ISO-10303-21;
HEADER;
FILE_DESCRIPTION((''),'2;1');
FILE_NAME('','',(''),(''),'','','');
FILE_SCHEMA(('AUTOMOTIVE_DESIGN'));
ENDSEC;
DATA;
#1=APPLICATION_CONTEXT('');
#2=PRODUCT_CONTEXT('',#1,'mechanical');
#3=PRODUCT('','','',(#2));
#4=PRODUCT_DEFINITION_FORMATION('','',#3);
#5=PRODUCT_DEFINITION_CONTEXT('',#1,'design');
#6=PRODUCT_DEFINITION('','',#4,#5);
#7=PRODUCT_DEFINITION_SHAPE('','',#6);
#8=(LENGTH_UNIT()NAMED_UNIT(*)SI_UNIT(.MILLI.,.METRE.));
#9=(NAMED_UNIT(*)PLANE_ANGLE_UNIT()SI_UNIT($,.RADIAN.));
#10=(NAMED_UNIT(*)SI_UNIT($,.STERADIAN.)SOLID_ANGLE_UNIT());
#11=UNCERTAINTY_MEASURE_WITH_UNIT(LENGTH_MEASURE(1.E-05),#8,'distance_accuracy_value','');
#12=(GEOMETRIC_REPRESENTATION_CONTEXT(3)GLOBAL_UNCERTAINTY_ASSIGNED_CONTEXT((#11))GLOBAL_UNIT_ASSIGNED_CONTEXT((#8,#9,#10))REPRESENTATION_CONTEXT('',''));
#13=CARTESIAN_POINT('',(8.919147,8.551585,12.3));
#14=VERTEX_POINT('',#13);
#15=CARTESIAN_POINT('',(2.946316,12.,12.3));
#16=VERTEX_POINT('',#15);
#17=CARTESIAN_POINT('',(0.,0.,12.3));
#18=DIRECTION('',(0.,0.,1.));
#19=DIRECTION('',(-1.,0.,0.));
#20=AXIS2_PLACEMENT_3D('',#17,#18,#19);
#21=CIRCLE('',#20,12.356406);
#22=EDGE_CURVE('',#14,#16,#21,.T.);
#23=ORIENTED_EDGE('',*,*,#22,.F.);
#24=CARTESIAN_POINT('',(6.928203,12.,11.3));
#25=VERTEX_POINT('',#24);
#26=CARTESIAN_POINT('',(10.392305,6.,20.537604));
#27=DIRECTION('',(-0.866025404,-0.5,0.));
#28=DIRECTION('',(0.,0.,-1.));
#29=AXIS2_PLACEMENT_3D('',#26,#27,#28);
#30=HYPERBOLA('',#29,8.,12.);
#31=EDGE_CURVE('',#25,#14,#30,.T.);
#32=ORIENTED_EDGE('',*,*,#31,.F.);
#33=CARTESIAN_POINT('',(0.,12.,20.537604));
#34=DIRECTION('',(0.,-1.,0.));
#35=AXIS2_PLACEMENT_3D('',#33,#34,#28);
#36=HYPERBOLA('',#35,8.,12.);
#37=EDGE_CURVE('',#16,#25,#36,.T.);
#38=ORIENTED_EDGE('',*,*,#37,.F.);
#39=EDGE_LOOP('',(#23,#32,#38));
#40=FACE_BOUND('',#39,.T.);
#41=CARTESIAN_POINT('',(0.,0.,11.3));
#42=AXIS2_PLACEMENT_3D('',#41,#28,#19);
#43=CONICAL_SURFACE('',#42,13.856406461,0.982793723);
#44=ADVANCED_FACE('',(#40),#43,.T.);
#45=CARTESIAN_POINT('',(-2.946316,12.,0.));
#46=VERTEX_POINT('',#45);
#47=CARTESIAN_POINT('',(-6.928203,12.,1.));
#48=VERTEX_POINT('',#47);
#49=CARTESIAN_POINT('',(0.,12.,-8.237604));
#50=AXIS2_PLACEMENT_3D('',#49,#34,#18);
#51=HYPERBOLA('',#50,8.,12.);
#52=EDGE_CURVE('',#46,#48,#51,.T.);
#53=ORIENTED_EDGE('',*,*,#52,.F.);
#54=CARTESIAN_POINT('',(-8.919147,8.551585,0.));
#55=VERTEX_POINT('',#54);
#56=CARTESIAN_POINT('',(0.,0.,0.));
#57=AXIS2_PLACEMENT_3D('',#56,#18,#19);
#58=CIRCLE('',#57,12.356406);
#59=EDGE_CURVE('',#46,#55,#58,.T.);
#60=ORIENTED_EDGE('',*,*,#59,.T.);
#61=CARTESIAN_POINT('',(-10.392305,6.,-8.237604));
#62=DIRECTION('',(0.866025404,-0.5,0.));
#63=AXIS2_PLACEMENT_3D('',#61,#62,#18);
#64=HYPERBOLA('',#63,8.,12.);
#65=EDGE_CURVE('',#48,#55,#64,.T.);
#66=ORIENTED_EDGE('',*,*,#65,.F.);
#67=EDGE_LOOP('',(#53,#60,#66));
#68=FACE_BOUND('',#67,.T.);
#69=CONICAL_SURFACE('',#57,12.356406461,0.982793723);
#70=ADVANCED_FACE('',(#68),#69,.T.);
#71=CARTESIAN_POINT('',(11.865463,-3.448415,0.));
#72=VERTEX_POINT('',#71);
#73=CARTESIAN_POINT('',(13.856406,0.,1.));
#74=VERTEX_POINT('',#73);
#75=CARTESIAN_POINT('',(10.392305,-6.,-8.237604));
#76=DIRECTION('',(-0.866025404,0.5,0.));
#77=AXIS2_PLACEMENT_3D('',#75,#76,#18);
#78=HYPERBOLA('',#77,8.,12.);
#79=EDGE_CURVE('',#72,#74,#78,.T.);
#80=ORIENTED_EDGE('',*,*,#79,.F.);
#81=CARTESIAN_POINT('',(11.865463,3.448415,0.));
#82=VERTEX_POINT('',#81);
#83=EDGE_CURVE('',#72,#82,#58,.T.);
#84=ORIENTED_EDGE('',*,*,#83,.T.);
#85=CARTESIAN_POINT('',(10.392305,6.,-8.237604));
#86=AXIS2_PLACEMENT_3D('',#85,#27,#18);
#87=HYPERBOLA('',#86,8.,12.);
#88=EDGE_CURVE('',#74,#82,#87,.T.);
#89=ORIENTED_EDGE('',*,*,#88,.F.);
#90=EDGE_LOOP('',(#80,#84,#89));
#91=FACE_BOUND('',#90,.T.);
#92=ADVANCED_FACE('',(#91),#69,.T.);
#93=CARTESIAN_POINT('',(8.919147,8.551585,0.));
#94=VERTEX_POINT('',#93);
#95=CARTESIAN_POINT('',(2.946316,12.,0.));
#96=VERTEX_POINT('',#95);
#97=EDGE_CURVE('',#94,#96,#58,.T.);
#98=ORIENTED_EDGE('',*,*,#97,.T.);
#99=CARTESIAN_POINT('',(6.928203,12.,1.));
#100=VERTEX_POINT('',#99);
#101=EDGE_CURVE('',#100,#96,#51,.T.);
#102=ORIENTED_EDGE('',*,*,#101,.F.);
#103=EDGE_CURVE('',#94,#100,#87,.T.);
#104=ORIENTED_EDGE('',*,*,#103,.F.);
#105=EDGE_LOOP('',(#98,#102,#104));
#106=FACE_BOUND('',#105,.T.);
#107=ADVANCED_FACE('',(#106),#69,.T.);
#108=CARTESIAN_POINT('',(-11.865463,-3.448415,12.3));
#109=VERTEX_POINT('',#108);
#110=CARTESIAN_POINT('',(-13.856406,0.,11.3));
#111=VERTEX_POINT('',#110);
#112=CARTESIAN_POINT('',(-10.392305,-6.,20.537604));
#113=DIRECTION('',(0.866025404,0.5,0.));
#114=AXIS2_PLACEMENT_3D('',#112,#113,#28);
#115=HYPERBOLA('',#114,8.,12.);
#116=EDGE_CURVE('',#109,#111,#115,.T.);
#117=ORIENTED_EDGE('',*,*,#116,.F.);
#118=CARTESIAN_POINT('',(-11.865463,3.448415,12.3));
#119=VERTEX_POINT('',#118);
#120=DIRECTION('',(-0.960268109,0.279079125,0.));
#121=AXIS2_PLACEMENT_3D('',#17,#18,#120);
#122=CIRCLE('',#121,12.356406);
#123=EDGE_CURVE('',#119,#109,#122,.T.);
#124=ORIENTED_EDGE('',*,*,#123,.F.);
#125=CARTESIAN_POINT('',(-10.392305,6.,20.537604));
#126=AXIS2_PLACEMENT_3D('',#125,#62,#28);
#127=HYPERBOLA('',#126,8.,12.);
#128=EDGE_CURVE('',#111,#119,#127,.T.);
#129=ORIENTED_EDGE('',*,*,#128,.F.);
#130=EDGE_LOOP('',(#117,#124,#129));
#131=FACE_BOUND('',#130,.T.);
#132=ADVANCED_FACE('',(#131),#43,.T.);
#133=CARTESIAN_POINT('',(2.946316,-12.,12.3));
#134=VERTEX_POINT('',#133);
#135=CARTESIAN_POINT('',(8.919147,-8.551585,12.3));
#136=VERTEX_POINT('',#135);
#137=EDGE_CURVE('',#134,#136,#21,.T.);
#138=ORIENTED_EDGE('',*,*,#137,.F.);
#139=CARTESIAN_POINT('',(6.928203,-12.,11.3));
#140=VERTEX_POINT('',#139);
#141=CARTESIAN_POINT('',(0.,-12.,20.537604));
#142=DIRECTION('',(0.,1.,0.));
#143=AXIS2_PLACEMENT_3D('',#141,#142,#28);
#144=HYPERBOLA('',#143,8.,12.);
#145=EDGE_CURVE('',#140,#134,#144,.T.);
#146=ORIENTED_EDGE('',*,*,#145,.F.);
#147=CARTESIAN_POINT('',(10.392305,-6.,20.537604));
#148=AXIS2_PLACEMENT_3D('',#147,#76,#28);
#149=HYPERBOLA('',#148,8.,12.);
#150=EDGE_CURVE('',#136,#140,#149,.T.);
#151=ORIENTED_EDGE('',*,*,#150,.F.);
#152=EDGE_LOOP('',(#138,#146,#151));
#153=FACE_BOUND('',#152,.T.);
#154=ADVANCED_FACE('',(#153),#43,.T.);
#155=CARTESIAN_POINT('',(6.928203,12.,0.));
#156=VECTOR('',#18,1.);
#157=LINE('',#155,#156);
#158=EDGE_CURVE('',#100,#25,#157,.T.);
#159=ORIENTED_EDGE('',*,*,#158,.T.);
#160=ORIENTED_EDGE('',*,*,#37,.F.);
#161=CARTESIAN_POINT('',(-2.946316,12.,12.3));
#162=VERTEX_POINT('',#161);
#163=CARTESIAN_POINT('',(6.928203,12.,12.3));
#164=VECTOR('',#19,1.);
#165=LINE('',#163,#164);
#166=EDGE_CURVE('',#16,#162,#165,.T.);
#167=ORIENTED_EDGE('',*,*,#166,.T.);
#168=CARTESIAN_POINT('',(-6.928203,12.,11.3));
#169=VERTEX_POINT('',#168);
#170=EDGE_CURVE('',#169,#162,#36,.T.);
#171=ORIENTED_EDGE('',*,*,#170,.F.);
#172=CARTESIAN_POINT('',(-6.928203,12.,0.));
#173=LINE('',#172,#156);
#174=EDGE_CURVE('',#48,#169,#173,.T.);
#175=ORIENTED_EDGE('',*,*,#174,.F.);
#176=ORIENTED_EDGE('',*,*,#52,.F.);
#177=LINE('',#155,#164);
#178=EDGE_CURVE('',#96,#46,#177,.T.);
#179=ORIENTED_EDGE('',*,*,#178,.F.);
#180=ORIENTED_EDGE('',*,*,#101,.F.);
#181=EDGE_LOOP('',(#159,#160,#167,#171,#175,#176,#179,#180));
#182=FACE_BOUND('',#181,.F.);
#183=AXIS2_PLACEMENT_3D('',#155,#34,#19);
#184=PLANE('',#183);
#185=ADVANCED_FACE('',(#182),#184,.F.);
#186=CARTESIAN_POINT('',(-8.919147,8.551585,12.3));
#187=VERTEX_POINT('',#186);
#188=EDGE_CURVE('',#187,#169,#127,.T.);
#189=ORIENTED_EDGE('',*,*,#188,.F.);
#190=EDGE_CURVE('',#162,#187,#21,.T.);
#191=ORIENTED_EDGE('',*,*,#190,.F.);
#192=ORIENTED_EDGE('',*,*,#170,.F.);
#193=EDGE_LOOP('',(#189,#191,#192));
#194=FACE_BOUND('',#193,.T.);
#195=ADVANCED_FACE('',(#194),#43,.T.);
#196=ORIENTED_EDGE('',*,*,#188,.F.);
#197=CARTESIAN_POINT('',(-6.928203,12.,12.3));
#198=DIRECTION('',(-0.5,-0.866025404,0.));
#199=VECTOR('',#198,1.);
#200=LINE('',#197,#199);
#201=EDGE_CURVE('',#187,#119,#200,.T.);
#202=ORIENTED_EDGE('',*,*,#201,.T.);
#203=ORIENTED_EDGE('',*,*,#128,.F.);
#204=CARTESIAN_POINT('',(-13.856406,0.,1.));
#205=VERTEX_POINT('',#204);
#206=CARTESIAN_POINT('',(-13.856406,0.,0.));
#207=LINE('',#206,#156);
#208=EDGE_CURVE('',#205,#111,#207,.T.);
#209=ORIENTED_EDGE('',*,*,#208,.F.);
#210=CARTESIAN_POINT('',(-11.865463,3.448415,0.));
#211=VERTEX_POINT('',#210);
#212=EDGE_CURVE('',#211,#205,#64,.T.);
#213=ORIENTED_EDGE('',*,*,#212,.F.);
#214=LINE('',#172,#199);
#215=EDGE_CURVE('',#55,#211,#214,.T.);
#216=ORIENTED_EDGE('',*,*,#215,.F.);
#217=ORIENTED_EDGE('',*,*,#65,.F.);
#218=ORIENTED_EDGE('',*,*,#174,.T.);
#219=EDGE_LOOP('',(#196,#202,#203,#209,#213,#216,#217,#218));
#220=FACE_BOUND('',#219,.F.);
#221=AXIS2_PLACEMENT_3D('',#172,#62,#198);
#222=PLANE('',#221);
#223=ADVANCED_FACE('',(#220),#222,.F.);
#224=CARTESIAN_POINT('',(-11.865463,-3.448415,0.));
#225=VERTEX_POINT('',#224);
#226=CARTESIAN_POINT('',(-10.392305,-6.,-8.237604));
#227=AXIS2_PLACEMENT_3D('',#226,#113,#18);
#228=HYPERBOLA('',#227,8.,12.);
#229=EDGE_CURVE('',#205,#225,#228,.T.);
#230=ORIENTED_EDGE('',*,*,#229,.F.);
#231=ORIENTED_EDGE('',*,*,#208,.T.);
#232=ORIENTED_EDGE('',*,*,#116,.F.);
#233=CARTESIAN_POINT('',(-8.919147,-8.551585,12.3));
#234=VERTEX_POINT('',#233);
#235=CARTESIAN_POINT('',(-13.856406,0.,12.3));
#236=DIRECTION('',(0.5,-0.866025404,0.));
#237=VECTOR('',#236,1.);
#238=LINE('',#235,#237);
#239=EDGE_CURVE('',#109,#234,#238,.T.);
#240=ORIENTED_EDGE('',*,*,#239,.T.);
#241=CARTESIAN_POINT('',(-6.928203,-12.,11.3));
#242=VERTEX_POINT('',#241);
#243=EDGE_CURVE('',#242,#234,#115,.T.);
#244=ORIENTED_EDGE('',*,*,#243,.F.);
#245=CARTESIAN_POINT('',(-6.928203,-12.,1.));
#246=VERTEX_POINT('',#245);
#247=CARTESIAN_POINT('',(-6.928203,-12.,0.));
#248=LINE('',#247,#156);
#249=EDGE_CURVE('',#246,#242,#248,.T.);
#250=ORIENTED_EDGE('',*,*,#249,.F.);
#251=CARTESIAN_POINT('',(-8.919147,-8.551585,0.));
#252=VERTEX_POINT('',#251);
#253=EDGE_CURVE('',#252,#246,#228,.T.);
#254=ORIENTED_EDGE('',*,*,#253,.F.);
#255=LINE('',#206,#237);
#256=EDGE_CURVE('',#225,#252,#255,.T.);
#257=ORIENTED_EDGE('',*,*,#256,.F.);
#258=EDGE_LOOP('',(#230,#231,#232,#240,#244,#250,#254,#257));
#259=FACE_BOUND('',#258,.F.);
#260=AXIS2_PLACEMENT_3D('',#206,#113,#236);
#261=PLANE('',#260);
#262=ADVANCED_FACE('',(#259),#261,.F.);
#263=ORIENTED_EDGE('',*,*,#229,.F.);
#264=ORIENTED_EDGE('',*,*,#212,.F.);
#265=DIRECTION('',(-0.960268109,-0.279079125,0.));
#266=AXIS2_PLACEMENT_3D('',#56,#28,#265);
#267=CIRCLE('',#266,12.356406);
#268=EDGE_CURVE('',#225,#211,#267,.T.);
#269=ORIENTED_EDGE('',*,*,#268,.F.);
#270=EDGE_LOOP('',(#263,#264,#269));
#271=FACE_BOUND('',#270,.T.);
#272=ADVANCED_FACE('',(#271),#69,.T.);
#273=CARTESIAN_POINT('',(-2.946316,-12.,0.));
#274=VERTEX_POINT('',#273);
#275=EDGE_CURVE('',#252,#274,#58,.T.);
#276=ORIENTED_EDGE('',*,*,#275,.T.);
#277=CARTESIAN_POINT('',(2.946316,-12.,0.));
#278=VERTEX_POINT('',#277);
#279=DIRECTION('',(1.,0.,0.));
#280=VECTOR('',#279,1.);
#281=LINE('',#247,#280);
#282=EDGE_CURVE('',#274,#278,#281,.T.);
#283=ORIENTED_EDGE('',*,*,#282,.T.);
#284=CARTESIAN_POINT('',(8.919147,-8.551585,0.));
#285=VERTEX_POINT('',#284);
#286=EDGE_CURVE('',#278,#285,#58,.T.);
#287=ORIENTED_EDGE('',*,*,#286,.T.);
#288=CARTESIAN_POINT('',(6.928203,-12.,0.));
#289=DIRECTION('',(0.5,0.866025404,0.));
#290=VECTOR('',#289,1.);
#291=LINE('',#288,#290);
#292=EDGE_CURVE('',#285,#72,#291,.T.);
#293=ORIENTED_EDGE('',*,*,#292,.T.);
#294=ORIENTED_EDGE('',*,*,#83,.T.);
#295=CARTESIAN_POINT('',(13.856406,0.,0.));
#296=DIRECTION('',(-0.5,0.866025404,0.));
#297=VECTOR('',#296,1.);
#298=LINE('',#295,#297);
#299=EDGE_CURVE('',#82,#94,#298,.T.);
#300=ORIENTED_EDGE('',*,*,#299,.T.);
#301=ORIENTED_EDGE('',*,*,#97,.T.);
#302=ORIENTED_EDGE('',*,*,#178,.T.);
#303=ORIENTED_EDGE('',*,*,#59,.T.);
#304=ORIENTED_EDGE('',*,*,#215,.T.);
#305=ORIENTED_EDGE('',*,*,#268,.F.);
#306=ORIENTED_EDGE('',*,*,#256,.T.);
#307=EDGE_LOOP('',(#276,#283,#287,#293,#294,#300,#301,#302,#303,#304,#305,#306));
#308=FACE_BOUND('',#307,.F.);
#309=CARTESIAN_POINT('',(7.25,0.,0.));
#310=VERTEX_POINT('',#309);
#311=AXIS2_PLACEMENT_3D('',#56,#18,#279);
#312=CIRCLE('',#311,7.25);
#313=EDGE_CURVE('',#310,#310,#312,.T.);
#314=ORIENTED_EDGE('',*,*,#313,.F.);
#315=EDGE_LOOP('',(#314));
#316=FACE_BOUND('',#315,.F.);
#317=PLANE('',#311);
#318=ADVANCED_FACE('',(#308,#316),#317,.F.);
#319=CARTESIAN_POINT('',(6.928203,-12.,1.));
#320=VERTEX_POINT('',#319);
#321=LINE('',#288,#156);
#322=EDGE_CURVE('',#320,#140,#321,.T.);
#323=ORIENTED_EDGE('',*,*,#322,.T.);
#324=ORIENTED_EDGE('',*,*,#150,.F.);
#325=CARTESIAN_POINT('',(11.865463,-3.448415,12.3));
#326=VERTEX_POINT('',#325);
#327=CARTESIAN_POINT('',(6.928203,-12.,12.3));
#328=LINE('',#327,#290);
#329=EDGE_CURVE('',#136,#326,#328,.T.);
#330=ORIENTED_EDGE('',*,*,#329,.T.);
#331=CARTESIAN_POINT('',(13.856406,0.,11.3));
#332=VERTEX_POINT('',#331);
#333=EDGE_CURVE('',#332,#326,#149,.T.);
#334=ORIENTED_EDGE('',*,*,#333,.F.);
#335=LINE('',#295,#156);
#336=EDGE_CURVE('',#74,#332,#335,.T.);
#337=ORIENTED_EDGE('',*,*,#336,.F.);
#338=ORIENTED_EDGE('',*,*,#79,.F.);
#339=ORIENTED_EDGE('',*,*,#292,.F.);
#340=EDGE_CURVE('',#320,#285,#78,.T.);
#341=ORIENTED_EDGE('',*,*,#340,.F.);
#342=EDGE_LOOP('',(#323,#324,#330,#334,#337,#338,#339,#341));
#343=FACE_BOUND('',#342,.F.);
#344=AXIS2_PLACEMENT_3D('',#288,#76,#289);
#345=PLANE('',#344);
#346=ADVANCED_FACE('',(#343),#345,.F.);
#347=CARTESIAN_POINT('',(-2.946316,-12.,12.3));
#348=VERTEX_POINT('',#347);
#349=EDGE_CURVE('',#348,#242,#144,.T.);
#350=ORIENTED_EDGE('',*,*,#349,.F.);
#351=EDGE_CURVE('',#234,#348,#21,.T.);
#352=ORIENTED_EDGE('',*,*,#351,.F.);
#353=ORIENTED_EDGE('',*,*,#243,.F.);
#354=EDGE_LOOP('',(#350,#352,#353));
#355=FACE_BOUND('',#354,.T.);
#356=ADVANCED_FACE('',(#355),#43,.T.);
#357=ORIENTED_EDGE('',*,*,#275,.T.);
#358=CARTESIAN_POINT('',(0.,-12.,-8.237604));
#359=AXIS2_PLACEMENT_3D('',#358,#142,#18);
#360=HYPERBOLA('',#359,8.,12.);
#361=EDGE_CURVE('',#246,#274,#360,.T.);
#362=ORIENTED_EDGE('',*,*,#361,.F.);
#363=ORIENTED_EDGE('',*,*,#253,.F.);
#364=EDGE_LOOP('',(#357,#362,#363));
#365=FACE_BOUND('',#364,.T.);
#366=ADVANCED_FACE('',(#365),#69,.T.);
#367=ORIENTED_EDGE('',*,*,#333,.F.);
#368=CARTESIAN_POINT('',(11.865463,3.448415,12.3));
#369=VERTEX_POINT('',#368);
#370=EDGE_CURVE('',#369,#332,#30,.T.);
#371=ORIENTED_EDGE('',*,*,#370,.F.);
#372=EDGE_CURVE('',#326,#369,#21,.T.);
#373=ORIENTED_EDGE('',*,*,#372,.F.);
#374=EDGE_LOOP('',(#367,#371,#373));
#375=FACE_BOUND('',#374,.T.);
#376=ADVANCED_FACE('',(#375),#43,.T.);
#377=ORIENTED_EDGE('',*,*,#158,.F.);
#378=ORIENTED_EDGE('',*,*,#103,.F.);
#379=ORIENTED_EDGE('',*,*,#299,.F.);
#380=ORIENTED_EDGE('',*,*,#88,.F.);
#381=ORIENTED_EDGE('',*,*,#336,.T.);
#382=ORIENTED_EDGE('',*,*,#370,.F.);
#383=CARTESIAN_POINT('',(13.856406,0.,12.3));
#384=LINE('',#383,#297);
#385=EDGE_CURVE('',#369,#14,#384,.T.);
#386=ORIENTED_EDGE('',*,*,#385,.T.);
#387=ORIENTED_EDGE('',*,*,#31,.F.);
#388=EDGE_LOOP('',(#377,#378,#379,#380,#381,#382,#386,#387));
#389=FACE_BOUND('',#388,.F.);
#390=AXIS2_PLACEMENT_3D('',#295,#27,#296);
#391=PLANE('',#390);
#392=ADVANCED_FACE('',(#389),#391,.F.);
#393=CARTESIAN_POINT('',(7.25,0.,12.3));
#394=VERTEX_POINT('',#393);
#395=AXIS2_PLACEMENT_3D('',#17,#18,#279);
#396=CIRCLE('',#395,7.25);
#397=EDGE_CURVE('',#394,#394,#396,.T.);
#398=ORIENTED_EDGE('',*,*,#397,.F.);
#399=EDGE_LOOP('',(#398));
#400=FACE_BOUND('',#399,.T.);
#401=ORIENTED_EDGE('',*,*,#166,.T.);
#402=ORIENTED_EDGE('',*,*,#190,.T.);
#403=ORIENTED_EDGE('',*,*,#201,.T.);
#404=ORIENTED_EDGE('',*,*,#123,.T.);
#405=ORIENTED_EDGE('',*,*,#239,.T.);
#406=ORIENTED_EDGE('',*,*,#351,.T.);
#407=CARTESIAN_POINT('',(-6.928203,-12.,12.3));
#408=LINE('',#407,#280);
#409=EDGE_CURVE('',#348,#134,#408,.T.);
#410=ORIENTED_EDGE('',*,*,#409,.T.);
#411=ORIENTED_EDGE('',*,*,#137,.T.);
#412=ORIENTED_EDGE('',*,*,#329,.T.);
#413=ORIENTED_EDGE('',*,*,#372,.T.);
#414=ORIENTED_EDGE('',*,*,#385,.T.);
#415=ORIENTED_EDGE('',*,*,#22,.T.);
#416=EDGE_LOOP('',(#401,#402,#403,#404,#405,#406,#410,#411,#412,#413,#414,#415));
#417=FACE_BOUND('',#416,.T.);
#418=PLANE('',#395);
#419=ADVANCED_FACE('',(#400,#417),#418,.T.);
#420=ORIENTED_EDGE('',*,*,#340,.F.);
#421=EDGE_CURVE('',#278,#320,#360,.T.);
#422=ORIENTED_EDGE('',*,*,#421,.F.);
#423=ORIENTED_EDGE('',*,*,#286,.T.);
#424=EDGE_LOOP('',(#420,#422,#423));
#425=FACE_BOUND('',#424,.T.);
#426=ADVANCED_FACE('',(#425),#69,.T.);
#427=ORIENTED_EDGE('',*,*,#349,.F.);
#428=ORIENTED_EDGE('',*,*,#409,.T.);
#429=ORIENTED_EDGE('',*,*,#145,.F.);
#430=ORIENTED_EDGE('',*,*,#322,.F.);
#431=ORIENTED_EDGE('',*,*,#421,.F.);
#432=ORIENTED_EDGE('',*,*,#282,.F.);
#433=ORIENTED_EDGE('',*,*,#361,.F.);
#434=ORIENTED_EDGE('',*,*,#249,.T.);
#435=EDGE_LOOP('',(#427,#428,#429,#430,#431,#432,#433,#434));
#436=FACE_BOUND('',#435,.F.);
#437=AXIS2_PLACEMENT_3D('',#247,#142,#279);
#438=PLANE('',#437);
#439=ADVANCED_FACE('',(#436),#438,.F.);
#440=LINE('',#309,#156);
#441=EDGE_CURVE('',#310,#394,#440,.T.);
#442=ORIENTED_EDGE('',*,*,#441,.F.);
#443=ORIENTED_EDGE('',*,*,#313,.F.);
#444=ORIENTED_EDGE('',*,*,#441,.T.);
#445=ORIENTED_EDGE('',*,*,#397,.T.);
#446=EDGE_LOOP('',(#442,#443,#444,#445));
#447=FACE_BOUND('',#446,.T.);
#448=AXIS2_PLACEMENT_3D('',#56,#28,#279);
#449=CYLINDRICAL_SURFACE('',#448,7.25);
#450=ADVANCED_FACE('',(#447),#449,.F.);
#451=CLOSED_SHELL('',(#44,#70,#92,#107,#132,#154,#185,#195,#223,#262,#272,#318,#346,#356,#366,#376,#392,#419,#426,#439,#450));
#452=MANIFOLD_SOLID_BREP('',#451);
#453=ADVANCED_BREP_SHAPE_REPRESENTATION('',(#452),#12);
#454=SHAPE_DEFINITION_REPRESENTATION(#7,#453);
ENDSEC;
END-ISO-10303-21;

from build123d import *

# Parameters (mm, degrees)
IZIM1_R                     = 7.25
Y_KSEKLIK_EKSTR_ZYON1_DEPTH = 12.3


with BuildPart() as part:
    # Çizim1 → Yükseklik-Ekstrüzyon1 (new body)
    with BuildSketch(Plane.XY):
        Polygon((13.856406461, 0), (6.92820323, 12), (-6.92820323, 12), (-13.856406461, 0), (-6.92820323, -12), (6.92820323, -12), align=None)
        Circle(IZIM1_R, mode=Mode.SUBTRACT)
    extrude(amount=Y_KSEKLIK_EKSTR_ZYON1_DEPTH)

    # Çizim2 → Kes-Döndür1 (revolve, cut)
    with BuildSketch(Plane(origin=(0, 0, 0), x_dir=(1, 0, 0), z_dir=(0, 1, 0))):
        Polygon((-13.856406461, 0), (-12.356406461, 0), (-13.856406461, -1), align=None)
        Polygon((-13.856406461, -12.3), (-13.856406461, -11.3), (-12.356406461, -12.3), align=None)
    revolve(axis=Axis((0, 0, 0), (0, 0, 1)), mode=Mode.SUBTRACT)


solid = part.part
